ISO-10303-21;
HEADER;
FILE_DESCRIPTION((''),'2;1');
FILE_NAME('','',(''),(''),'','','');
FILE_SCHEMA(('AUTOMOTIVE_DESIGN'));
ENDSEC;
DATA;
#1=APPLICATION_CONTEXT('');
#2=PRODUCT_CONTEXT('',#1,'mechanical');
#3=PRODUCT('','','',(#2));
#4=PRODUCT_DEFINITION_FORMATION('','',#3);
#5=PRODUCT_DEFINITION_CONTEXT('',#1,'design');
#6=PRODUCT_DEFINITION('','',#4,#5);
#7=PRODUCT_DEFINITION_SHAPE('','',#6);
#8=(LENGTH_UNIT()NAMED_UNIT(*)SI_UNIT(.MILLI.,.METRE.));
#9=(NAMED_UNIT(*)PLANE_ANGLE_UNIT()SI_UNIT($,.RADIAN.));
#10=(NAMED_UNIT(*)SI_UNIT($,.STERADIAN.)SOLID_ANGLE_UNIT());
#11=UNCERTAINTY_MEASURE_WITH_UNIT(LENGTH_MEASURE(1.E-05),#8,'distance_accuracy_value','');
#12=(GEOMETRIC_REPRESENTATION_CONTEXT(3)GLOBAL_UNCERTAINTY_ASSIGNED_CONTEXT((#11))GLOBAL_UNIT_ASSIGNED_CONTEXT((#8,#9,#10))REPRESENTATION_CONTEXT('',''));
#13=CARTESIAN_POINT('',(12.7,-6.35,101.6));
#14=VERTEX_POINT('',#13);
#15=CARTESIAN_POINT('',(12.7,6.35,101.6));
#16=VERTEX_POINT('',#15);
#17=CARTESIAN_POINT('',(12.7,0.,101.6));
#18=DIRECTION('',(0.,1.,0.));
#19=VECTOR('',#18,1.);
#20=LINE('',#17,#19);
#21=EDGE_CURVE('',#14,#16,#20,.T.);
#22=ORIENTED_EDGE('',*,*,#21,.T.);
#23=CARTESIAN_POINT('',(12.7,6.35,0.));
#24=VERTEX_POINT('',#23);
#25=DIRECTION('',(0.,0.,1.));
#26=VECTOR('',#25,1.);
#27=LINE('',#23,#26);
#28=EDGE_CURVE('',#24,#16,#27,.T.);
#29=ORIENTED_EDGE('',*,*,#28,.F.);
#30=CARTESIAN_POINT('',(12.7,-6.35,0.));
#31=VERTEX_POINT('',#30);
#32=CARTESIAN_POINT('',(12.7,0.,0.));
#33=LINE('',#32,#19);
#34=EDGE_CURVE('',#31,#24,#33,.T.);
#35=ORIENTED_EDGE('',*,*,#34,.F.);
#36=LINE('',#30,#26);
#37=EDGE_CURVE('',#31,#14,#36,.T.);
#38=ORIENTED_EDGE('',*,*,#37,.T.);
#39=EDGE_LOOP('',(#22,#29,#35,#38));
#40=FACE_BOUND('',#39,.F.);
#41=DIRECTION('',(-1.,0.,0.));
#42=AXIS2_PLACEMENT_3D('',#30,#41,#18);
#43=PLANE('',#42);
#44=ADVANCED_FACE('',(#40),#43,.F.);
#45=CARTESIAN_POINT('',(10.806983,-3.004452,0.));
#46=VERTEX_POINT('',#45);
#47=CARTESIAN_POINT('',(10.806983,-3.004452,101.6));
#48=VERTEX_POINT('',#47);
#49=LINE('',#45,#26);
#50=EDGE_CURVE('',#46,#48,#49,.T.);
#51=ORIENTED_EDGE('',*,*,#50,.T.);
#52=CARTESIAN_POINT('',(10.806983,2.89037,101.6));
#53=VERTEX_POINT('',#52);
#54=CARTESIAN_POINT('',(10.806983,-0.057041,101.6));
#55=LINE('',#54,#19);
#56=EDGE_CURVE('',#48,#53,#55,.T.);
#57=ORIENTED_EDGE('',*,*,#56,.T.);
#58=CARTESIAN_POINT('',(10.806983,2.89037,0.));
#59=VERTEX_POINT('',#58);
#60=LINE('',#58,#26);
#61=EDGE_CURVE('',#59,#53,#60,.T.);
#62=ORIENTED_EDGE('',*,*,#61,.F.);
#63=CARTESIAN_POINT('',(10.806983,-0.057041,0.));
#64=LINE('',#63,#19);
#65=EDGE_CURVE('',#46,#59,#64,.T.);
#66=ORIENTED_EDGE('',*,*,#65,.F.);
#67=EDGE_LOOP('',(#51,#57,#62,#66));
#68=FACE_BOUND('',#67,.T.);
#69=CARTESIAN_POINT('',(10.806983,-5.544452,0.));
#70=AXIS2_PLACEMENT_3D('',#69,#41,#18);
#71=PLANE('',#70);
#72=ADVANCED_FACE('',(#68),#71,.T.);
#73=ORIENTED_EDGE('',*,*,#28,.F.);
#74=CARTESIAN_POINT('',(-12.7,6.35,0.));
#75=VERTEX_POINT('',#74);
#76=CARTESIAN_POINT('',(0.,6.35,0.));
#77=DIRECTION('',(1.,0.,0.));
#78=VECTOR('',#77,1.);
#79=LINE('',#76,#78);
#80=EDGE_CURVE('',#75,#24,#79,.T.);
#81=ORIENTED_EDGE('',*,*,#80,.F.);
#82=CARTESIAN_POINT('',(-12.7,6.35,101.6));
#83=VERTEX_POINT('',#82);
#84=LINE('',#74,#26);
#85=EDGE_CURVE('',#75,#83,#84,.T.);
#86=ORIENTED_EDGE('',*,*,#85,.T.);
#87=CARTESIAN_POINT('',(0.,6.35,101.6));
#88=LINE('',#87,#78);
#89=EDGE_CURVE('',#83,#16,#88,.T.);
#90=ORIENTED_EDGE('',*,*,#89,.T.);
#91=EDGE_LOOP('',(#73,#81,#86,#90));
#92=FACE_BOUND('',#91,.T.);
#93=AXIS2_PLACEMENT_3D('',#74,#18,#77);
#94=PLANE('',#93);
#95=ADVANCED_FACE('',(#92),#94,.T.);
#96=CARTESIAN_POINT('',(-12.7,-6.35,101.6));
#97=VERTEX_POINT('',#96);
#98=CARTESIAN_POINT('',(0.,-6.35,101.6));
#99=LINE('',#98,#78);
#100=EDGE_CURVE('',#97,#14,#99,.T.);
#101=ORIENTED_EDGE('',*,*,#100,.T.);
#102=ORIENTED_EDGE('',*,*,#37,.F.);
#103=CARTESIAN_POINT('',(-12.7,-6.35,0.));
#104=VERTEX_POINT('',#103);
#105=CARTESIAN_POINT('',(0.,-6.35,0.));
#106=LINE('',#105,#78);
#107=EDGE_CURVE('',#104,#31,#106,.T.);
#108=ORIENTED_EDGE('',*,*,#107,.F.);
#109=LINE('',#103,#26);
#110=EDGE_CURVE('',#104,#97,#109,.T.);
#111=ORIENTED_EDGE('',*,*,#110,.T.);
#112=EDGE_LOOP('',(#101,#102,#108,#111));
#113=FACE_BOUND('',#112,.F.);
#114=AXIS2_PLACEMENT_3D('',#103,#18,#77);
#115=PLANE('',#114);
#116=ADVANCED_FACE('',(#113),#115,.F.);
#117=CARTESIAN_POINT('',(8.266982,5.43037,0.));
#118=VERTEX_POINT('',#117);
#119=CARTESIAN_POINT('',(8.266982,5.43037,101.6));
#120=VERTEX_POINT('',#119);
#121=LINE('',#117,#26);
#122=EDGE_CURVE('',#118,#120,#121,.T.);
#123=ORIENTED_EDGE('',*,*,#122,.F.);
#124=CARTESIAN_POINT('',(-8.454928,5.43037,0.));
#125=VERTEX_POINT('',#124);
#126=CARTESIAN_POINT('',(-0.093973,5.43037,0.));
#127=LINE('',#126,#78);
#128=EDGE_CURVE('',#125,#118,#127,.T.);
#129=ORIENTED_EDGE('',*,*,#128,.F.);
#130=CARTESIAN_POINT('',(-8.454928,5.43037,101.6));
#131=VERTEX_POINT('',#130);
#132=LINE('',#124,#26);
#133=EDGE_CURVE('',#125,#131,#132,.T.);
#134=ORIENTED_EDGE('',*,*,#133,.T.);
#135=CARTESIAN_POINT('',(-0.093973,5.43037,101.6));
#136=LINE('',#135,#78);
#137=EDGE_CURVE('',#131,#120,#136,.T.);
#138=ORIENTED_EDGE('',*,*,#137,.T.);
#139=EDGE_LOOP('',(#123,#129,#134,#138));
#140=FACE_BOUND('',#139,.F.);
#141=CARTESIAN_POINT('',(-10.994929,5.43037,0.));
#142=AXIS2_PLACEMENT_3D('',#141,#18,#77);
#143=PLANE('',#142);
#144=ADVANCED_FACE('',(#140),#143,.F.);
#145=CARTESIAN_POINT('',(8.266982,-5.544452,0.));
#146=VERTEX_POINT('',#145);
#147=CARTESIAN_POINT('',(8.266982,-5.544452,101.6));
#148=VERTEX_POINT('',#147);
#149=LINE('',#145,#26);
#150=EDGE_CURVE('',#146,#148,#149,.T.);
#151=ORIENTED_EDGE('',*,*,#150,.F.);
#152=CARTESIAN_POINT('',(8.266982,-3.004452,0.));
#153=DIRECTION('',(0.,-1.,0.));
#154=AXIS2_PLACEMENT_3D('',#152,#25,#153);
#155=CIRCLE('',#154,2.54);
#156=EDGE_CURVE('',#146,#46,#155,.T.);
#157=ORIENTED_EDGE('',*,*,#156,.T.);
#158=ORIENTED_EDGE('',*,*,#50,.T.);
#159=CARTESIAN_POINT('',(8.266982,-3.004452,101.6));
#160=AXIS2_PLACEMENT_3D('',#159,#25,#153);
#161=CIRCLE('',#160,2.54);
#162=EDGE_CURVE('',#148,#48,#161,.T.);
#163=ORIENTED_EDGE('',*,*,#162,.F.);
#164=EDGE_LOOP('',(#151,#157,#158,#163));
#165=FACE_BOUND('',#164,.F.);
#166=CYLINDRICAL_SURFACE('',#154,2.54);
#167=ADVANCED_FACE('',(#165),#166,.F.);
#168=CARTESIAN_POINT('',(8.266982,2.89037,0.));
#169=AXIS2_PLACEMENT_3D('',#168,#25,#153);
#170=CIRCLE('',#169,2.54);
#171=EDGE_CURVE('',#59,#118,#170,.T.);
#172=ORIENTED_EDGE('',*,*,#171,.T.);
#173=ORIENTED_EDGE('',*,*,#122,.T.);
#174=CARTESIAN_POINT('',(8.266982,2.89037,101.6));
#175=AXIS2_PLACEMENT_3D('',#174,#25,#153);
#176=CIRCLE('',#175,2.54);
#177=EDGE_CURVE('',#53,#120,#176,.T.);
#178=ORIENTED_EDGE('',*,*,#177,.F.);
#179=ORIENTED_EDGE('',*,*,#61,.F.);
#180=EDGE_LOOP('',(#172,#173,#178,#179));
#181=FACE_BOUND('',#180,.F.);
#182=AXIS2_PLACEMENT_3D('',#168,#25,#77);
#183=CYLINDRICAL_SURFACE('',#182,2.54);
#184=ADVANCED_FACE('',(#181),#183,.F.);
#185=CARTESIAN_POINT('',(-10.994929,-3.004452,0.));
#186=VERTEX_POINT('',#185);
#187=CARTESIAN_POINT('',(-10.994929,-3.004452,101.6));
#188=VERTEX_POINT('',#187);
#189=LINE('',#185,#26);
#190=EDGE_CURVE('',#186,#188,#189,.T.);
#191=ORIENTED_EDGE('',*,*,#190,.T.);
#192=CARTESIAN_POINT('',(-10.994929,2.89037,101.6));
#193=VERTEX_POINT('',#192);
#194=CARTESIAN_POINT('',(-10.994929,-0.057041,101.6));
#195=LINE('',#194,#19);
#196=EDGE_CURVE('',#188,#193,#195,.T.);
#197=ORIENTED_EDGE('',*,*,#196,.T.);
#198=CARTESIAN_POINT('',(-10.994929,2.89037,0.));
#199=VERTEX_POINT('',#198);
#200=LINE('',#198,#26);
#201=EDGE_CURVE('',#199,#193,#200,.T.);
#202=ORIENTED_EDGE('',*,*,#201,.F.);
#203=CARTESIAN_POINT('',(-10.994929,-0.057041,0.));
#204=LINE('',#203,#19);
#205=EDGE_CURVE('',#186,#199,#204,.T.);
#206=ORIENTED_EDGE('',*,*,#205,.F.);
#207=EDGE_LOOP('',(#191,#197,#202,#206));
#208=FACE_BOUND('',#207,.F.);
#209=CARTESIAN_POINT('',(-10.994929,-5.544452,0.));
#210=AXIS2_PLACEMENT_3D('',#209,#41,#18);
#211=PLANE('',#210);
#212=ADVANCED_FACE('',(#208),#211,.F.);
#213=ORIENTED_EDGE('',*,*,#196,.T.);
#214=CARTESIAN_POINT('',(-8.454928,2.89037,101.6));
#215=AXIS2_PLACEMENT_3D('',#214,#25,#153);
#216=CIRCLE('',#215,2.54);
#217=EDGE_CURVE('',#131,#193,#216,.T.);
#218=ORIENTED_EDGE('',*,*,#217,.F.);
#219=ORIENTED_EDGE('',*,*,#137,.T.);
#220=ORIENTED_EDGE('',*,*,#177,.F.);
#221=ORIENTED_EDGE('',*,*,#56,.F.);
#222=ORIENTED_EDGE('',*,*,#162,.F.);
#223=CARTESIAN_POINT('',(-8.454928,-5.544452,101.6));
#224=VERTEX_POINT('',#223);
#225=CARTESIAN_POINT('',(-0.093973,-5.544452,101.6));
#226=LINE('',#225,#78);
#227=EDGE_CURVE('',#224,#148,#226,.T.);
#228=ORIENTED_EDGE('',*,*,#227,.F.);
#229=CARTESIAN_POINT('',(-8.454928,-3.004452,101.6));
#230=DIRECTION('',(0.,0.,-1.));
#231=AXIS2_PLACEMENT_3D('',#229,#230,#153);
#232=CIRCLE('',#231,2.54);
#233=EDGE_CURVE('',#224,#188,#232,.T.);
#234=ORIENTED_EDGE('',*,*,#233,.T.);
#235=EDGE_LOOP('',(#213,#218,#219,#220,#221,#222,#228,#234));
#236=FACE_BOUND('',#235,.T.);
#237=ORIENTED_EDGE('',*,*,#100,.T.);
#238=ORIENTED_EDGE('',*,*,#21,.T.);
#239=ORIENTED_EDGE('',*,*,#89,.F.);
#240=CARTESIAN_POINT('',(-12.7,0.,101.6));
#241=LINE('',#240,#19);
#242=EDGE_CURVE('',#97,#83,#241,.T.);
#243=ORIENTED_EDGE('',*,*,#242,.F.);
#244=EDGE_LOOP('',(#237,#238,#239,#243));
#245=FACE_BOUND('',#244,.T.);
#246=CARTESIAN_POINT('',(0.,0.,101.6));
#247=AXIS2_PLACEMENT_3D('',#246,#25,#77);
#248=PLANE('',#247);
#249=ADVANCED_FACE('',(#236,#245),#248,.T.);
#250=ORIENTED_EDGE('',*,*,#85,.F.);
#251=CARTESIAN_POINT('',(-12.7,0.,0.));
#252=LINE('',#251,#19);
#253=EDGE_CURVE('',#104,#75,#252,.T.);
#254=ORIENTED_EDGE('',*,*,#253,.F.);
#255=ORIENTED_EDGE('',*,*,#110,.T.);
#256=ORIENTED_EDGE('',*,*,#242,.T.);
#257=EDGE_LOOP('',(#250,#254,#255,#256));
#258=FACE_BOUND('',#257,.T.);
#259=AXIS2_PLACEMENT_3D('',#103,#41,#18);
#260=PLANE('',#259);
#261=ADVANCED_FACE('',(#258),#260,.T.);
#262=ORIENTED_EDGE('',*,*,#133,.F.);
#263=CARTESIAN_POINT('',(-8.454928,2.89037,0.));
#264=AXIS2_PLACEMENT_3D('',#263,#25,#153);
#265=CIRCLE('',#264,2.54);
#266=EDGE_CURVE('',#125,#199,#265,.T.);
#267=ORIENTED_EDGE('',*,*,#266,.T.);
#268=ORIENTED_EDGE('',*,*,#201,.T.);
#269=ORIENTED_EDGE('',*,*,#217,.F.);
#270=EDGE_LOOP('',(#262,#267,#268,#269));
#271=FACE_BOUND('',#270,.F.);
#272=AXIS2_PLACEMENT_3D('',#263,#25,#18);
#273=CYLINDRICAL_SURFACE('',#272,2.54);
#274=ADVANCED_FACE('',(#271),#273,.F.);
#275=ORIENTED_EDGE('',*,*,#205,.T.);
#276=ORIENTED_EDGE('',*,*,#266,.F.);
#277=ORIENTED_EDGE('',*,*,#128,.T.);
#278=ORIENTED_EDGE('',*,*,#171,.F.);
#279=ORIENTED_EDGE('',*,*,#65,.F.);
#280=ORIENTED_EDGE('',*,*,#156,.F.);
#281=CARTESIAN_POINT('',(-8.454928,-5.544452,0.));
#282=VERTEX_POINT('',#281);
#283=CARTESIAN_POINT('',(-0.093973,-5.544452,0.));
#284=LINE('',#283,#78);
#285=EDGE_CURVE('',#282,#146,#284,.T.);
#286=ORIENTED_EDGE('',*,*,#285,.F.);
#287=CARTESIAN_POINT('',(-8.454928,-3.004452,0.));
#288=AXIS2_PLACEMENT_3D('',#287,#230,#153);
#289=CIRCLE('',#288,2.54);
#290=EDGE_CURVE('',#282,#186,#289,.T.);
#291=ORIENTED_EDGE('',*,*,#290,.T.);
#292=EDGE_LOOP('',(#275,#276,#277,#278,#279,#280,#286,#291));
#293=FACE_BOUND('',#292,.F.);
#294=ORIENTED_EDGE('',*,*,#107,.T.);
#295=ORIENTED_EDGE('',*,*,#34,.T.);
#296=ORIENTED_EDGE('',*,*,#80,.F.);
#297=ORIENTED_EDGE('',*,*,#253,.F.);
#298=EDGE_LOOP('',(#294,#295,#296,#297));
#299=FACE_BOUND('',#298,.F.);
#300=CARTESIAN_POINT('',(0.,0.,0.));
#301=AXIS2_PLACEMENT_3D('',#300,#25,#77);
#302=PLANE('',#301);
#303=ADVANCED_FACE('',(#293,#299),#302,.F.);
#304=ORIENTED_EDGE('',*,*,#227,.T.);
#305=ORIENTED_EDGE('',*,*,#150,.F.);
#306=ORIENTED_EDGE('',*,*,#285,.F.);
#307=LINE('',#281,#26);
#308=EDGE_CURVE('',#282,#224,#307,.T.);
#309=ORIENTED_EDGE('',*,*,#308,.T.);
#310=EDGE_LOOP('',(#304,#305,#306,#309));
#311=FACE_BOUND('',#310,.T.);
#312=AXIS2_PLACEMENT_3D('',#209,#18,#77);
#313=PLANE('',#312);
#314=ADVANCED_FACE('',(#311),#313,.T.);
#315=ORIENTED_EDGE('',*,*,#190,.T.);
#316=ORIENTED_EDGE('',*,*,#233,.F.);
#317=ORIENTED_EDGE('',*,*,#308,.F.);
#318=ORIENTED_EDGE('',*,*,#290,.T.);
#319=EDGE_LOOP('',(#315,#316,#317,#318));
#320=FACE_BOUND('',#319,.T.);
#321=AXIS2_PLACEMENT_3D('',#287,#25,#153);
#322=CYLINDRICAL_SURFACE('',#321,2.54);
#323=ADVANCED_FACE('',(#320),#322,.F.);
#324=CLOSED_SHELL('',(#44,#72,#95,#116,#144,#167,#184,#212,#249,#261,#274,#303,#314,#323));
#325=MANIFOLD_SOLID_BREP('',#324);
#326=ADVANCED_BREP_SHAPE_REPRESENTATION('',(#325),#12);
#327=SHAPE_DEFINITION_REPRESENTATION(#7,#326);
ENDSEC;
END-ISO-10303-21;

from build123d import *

# Parameters (mm, degrees)
F0_W     = 25.4
F0_H     = 12.7
F0_W_2   = 21.801911
F0_H_2   = 10.974822
F1_DEPTH = 101.6
F2_R     = 2.54


with BuildPart() as f1:
    # F0 (on Top) → F1 (new body)
    with BuildSketch(Plane.XY):
        Rectangle(F0_W, F0_H)
        with Locations((-0.093973, -0.057041)):
            Rectangle(F0_W_2, F0_H_2, mode=Mode.SUBTRACT)
    extrude(amount=F1_DEPTH)

    # F2
    f2_edges = [f1.edges().sort_by_distance(p)[0] for p in [
        (-10.994929, -5.544452, 50.8),
        (10.806982, -5.544452, 50.8),
        (10.806982, 5.43037, 50.8),
        (-10.994929, 5.43037, 50.8),
    ]]
    fillet(f2_edges, radius=F2_R)


solid = f1.part
